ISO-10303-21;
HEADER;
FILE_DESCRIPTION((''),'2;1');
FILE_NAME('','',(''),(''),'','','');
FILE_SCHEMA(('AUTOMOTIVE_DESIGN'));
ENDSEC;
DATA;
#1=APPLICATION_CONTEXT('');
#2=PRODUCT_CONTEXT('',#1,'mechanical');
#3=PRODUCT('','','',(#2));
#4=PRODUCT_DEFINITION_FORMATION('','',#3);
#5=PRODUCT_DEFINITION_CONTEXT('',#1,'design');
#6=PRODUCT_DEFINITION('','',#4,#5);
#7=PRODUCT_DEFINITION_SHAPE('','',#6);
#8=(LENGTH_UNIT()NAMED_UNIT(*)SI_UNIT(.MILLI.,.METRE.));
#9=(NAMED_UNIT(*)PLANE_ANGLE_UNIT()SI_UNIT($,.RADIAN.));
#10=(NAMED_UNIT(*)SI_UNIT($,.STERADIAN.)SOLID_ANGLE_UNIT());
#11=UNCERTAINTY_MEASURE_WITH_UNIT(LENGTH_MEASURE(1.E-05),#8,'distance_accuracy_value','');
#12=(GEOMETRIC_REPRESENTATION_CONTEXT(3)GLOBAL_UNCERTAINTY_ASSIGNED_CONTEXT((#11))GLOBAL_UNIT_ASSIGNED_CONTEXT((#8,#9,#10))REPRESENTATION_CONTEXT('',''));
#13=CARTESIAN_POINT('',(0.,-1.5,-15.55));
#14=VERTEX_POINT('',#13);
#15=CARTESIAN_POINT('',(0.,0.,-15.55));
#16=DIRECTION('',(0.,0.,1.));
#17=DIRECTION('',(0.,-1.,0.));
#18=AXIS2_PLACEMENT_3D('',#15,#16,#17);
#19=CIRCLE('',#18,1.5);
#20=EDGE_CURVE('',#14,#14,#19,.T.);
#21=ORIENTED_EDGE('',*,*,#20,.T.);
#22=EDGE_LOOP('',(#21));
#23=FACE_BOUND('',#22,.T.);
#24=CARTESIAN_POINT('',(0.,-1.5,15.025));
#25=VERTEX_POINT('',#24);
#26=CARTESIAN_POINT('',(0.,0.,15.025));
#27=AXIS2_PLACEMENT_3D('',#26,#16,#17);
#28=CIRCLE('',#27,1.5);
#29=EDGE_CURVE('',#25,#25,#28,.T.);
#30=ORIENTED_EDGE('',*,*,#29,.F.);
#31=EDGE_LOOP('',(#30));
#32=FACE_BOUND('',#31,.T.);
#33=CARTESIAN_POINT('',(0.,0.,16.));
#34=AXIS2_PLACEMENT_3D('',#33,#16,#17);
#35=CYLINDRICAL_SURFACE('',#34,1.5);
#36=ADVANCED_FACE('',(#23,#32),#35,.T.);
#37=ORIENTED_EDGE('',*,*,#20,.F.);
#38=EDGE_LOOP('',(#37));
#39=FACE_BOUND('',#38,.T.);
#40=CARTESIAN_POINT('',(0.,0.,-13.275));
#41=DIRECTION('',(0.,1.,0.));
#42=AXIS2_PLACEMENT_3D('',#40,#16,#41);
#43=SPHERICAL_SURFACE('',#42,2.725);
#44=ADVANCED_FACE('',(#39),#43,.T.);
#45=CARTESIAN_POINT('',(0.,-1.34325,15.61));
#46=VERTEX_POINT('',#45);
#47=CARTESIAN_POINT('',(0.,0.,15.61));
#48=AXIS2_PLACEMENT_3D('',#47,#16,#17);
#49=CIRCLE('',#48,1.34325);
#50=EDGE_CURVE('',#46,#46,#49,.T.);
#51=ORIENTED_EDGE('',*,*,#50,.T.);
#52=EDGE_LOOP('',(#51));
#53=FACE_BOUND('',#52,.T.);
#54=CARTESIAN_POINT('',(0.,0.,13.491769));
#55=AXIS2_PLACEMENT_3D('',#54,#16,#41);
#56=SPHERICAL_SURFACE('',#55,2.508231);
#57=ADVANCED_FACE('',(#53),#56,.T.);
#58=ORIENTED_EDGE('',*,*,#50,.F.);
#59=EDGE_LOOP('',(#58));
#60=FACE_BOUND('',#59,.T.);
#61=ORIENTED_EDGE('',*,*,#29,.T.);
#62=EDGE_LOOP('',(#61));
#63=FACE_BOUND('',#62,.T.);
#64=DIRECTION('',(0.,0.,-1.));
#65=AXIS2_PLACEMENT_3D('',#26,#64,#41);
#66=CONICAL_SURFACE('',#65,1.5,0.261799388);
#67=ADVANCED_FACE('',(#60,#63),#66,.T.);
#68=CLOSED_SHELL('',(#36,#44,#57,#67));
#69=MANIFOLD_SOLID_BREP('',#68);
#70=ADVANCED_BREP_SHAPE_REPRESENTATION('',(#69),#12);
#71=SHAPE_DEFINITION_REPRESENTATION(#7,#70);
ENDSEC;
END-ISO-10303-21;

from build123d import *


with BuildPart() as part:
    # Sketch3 → Revolve1 (revolve)
    with BuildSketch(Plane(origin=(0, 0, 0), x_dir=(0, 0, -1), z_dir=(1, 0, 0))):
        with BuildLine():
            Line((-16, 0), (16, 0))
            ThreePointArc((16, 0), (15.885076627, 0.783022988), (15.55, 1.5))
            Line((15.55, 1.5), (-15.025, 1.5))
            Line((-15.025, 1.5), (-15.61, 1.343249722))
            ThreePointArc((-15.61, 1.343249722), (-15.90052754, 0.699360389), (-16, 0))
        make_face()
    revolve(axis=Axis((0, 0, 16), (0, 0, -1)))


solid = part.part
